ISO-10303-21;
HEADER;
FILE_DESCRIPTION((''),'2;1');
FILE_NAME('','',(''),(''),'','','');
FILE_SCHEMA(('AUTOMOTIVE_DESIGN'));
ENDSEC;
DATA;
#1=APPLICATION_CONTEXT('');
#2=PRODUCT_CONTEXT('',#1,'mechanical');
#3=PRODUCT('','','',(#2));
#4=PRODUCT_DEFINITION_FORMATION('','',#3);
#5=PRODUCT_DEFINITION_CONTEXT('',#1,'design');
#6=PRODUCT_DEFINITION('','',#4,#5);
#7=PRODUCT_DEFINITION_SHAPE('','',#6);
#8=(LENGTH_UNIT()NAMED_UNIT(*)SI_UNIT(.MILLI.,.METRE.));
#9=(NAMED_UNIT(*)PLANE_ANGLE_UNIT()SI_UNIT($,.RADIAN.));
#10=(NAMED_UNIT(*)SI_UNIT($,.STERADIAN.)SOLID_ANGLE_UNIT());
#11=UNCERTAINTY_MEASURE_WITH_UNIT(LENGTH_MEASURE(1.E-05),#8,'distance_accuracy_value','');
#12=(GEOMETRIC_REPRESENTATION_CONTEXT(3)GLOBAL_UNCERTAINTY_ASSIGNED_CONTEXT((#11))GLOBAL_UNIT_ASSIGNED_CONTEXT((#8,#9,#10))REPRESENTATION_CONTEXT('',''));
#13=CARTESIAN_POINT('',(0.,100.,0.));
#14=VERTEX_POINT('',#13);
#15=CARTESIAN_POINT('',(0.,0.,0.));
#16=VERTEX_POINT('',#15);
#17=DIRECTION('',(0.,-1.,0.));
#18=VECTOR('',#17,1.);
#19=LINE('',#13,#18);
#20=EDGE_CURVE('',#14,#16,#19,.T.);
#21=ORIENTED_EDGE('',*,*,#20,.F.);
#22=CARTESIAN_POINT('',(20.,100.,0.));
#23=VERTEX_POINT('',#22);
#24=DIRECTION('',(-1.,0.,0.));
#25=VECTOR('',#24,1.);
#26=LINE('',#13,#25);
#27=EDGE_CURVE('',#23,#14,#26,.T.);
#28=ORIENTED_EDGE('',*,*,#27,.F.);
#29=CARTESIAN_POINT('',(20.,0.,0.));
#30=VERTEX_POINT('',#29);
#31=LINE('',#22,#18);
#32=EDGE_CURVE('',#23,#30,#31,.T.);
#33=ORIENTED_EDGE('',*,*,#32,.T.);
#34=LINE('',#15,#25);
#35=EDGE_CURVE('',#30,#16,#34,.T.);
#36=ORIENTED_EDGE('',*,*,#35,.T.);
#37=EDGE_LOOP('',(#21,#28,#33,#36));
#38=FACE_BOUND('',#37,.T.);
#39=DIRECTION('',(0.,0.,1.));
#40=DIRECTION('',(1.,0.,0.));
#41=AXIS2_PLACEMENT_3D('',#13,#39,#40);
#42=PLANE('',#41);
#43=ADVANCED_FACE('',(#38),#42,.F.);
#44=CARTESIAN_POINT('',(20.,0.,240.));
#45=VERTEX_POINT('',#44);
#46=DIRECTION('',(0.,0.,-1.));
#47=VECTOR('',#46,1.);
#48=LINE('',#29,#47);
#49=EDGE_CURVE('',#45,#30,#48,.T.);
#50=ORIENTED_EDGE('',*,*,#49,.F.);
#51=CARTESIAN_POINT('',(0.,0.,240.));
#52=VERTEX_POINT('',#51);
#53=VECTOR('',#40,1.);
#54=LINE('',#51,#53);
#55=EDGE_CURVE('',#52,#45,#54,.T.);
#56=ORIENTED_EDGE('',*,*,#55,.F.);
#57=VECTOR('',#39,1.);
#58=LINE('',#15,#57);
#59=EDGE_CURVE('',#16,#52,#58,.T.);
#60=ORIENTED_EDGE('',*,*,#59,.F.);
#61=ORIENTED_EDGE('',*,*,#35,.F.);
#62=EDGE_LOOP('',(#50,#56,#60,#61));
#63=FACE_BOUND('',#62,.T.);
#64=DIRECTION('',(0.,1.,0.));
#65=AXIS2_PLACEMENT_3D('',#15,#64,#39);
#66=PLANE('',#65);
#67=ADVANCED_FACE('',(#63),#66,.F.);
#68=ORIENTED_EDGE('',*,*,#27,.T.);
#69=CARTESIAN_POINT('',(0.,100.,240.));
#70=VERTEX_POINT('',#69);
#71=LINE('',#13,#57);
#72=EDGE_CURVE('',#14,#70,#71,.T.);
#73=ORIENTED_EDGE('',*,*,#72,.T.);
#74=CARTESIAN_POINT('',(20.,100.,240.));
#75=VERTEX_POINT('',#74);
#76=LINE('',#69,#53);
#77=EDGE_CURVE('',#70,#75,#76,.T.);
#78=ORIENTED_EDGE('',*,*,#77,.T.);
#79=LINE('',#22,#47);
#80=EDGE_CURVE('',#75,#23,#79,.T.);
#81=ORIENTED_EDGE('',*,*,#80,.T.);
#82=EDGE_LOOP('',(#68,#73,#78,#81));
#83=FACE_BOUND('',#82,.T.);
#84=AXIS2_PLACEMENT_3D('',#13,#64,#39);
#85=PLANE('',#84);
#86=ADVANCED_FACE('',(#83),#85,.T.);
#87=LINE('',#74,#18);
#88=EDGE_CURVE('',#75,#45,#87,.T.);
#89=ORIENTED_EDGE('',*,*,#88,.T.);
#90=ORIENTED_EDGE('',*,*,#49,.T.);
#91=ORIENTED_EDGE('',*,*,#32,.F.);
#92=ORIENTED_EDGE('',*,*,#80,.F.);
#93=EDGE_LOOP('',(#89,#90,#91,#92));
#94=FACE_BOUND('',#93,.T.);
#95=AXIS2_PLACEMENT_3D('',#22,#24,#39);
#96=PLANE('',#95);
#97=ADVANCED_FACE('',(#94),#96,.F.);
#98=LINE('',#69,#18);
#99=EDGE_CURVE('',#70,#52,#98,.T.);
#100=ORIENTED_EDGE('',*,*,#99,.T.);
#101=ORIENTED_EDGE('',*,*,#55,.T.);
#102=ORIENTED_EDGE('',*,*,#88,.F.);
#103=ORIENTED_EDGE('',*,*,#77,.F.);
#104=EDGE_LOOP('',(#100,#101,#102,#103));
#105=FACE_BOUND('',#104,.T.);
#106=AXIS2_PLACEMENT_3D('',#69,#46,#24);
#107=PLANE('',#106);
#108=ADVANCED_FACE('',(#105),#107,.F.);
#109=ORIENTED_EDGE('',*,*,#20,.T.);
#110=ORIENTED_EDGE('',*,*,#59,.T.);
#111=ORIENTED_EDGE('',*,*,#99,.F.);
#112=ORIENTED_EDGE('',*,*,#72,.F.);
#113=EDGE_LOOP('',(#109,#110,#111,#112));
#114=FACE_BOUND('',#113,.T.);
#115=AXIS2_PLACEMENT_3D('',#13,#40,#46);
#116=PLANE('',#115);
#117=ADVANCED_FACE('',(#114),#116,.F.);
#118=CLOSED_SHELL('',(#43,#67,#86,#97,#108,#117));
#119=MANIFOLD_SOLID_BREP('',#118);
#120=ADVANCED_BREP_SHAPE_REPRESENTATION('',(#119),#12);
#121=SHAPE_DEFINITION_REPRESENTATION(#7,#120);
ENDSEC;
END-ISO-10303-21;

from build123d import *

# Parameters (mm, degrees)
SKETCH_1_W      = 20
SKETCH_1_H      = 240
EXTRUDE_1_DEPTH = 100


with BuildPart() as part:
    # 草图1 → 凸台-拉伸1 (new body)
    with BuildSketch(Plane(origin=(0, 0, 0), x_dir=(1, 0, 0), z_dir=(0, 1, 0))):
        with Locations((10, -120)):
            Rectangle(SKETCH_1_W, SKETCH_1_H)
    extrude(amount=EXTRUDE_1_DEPTH)


solid = part.part
